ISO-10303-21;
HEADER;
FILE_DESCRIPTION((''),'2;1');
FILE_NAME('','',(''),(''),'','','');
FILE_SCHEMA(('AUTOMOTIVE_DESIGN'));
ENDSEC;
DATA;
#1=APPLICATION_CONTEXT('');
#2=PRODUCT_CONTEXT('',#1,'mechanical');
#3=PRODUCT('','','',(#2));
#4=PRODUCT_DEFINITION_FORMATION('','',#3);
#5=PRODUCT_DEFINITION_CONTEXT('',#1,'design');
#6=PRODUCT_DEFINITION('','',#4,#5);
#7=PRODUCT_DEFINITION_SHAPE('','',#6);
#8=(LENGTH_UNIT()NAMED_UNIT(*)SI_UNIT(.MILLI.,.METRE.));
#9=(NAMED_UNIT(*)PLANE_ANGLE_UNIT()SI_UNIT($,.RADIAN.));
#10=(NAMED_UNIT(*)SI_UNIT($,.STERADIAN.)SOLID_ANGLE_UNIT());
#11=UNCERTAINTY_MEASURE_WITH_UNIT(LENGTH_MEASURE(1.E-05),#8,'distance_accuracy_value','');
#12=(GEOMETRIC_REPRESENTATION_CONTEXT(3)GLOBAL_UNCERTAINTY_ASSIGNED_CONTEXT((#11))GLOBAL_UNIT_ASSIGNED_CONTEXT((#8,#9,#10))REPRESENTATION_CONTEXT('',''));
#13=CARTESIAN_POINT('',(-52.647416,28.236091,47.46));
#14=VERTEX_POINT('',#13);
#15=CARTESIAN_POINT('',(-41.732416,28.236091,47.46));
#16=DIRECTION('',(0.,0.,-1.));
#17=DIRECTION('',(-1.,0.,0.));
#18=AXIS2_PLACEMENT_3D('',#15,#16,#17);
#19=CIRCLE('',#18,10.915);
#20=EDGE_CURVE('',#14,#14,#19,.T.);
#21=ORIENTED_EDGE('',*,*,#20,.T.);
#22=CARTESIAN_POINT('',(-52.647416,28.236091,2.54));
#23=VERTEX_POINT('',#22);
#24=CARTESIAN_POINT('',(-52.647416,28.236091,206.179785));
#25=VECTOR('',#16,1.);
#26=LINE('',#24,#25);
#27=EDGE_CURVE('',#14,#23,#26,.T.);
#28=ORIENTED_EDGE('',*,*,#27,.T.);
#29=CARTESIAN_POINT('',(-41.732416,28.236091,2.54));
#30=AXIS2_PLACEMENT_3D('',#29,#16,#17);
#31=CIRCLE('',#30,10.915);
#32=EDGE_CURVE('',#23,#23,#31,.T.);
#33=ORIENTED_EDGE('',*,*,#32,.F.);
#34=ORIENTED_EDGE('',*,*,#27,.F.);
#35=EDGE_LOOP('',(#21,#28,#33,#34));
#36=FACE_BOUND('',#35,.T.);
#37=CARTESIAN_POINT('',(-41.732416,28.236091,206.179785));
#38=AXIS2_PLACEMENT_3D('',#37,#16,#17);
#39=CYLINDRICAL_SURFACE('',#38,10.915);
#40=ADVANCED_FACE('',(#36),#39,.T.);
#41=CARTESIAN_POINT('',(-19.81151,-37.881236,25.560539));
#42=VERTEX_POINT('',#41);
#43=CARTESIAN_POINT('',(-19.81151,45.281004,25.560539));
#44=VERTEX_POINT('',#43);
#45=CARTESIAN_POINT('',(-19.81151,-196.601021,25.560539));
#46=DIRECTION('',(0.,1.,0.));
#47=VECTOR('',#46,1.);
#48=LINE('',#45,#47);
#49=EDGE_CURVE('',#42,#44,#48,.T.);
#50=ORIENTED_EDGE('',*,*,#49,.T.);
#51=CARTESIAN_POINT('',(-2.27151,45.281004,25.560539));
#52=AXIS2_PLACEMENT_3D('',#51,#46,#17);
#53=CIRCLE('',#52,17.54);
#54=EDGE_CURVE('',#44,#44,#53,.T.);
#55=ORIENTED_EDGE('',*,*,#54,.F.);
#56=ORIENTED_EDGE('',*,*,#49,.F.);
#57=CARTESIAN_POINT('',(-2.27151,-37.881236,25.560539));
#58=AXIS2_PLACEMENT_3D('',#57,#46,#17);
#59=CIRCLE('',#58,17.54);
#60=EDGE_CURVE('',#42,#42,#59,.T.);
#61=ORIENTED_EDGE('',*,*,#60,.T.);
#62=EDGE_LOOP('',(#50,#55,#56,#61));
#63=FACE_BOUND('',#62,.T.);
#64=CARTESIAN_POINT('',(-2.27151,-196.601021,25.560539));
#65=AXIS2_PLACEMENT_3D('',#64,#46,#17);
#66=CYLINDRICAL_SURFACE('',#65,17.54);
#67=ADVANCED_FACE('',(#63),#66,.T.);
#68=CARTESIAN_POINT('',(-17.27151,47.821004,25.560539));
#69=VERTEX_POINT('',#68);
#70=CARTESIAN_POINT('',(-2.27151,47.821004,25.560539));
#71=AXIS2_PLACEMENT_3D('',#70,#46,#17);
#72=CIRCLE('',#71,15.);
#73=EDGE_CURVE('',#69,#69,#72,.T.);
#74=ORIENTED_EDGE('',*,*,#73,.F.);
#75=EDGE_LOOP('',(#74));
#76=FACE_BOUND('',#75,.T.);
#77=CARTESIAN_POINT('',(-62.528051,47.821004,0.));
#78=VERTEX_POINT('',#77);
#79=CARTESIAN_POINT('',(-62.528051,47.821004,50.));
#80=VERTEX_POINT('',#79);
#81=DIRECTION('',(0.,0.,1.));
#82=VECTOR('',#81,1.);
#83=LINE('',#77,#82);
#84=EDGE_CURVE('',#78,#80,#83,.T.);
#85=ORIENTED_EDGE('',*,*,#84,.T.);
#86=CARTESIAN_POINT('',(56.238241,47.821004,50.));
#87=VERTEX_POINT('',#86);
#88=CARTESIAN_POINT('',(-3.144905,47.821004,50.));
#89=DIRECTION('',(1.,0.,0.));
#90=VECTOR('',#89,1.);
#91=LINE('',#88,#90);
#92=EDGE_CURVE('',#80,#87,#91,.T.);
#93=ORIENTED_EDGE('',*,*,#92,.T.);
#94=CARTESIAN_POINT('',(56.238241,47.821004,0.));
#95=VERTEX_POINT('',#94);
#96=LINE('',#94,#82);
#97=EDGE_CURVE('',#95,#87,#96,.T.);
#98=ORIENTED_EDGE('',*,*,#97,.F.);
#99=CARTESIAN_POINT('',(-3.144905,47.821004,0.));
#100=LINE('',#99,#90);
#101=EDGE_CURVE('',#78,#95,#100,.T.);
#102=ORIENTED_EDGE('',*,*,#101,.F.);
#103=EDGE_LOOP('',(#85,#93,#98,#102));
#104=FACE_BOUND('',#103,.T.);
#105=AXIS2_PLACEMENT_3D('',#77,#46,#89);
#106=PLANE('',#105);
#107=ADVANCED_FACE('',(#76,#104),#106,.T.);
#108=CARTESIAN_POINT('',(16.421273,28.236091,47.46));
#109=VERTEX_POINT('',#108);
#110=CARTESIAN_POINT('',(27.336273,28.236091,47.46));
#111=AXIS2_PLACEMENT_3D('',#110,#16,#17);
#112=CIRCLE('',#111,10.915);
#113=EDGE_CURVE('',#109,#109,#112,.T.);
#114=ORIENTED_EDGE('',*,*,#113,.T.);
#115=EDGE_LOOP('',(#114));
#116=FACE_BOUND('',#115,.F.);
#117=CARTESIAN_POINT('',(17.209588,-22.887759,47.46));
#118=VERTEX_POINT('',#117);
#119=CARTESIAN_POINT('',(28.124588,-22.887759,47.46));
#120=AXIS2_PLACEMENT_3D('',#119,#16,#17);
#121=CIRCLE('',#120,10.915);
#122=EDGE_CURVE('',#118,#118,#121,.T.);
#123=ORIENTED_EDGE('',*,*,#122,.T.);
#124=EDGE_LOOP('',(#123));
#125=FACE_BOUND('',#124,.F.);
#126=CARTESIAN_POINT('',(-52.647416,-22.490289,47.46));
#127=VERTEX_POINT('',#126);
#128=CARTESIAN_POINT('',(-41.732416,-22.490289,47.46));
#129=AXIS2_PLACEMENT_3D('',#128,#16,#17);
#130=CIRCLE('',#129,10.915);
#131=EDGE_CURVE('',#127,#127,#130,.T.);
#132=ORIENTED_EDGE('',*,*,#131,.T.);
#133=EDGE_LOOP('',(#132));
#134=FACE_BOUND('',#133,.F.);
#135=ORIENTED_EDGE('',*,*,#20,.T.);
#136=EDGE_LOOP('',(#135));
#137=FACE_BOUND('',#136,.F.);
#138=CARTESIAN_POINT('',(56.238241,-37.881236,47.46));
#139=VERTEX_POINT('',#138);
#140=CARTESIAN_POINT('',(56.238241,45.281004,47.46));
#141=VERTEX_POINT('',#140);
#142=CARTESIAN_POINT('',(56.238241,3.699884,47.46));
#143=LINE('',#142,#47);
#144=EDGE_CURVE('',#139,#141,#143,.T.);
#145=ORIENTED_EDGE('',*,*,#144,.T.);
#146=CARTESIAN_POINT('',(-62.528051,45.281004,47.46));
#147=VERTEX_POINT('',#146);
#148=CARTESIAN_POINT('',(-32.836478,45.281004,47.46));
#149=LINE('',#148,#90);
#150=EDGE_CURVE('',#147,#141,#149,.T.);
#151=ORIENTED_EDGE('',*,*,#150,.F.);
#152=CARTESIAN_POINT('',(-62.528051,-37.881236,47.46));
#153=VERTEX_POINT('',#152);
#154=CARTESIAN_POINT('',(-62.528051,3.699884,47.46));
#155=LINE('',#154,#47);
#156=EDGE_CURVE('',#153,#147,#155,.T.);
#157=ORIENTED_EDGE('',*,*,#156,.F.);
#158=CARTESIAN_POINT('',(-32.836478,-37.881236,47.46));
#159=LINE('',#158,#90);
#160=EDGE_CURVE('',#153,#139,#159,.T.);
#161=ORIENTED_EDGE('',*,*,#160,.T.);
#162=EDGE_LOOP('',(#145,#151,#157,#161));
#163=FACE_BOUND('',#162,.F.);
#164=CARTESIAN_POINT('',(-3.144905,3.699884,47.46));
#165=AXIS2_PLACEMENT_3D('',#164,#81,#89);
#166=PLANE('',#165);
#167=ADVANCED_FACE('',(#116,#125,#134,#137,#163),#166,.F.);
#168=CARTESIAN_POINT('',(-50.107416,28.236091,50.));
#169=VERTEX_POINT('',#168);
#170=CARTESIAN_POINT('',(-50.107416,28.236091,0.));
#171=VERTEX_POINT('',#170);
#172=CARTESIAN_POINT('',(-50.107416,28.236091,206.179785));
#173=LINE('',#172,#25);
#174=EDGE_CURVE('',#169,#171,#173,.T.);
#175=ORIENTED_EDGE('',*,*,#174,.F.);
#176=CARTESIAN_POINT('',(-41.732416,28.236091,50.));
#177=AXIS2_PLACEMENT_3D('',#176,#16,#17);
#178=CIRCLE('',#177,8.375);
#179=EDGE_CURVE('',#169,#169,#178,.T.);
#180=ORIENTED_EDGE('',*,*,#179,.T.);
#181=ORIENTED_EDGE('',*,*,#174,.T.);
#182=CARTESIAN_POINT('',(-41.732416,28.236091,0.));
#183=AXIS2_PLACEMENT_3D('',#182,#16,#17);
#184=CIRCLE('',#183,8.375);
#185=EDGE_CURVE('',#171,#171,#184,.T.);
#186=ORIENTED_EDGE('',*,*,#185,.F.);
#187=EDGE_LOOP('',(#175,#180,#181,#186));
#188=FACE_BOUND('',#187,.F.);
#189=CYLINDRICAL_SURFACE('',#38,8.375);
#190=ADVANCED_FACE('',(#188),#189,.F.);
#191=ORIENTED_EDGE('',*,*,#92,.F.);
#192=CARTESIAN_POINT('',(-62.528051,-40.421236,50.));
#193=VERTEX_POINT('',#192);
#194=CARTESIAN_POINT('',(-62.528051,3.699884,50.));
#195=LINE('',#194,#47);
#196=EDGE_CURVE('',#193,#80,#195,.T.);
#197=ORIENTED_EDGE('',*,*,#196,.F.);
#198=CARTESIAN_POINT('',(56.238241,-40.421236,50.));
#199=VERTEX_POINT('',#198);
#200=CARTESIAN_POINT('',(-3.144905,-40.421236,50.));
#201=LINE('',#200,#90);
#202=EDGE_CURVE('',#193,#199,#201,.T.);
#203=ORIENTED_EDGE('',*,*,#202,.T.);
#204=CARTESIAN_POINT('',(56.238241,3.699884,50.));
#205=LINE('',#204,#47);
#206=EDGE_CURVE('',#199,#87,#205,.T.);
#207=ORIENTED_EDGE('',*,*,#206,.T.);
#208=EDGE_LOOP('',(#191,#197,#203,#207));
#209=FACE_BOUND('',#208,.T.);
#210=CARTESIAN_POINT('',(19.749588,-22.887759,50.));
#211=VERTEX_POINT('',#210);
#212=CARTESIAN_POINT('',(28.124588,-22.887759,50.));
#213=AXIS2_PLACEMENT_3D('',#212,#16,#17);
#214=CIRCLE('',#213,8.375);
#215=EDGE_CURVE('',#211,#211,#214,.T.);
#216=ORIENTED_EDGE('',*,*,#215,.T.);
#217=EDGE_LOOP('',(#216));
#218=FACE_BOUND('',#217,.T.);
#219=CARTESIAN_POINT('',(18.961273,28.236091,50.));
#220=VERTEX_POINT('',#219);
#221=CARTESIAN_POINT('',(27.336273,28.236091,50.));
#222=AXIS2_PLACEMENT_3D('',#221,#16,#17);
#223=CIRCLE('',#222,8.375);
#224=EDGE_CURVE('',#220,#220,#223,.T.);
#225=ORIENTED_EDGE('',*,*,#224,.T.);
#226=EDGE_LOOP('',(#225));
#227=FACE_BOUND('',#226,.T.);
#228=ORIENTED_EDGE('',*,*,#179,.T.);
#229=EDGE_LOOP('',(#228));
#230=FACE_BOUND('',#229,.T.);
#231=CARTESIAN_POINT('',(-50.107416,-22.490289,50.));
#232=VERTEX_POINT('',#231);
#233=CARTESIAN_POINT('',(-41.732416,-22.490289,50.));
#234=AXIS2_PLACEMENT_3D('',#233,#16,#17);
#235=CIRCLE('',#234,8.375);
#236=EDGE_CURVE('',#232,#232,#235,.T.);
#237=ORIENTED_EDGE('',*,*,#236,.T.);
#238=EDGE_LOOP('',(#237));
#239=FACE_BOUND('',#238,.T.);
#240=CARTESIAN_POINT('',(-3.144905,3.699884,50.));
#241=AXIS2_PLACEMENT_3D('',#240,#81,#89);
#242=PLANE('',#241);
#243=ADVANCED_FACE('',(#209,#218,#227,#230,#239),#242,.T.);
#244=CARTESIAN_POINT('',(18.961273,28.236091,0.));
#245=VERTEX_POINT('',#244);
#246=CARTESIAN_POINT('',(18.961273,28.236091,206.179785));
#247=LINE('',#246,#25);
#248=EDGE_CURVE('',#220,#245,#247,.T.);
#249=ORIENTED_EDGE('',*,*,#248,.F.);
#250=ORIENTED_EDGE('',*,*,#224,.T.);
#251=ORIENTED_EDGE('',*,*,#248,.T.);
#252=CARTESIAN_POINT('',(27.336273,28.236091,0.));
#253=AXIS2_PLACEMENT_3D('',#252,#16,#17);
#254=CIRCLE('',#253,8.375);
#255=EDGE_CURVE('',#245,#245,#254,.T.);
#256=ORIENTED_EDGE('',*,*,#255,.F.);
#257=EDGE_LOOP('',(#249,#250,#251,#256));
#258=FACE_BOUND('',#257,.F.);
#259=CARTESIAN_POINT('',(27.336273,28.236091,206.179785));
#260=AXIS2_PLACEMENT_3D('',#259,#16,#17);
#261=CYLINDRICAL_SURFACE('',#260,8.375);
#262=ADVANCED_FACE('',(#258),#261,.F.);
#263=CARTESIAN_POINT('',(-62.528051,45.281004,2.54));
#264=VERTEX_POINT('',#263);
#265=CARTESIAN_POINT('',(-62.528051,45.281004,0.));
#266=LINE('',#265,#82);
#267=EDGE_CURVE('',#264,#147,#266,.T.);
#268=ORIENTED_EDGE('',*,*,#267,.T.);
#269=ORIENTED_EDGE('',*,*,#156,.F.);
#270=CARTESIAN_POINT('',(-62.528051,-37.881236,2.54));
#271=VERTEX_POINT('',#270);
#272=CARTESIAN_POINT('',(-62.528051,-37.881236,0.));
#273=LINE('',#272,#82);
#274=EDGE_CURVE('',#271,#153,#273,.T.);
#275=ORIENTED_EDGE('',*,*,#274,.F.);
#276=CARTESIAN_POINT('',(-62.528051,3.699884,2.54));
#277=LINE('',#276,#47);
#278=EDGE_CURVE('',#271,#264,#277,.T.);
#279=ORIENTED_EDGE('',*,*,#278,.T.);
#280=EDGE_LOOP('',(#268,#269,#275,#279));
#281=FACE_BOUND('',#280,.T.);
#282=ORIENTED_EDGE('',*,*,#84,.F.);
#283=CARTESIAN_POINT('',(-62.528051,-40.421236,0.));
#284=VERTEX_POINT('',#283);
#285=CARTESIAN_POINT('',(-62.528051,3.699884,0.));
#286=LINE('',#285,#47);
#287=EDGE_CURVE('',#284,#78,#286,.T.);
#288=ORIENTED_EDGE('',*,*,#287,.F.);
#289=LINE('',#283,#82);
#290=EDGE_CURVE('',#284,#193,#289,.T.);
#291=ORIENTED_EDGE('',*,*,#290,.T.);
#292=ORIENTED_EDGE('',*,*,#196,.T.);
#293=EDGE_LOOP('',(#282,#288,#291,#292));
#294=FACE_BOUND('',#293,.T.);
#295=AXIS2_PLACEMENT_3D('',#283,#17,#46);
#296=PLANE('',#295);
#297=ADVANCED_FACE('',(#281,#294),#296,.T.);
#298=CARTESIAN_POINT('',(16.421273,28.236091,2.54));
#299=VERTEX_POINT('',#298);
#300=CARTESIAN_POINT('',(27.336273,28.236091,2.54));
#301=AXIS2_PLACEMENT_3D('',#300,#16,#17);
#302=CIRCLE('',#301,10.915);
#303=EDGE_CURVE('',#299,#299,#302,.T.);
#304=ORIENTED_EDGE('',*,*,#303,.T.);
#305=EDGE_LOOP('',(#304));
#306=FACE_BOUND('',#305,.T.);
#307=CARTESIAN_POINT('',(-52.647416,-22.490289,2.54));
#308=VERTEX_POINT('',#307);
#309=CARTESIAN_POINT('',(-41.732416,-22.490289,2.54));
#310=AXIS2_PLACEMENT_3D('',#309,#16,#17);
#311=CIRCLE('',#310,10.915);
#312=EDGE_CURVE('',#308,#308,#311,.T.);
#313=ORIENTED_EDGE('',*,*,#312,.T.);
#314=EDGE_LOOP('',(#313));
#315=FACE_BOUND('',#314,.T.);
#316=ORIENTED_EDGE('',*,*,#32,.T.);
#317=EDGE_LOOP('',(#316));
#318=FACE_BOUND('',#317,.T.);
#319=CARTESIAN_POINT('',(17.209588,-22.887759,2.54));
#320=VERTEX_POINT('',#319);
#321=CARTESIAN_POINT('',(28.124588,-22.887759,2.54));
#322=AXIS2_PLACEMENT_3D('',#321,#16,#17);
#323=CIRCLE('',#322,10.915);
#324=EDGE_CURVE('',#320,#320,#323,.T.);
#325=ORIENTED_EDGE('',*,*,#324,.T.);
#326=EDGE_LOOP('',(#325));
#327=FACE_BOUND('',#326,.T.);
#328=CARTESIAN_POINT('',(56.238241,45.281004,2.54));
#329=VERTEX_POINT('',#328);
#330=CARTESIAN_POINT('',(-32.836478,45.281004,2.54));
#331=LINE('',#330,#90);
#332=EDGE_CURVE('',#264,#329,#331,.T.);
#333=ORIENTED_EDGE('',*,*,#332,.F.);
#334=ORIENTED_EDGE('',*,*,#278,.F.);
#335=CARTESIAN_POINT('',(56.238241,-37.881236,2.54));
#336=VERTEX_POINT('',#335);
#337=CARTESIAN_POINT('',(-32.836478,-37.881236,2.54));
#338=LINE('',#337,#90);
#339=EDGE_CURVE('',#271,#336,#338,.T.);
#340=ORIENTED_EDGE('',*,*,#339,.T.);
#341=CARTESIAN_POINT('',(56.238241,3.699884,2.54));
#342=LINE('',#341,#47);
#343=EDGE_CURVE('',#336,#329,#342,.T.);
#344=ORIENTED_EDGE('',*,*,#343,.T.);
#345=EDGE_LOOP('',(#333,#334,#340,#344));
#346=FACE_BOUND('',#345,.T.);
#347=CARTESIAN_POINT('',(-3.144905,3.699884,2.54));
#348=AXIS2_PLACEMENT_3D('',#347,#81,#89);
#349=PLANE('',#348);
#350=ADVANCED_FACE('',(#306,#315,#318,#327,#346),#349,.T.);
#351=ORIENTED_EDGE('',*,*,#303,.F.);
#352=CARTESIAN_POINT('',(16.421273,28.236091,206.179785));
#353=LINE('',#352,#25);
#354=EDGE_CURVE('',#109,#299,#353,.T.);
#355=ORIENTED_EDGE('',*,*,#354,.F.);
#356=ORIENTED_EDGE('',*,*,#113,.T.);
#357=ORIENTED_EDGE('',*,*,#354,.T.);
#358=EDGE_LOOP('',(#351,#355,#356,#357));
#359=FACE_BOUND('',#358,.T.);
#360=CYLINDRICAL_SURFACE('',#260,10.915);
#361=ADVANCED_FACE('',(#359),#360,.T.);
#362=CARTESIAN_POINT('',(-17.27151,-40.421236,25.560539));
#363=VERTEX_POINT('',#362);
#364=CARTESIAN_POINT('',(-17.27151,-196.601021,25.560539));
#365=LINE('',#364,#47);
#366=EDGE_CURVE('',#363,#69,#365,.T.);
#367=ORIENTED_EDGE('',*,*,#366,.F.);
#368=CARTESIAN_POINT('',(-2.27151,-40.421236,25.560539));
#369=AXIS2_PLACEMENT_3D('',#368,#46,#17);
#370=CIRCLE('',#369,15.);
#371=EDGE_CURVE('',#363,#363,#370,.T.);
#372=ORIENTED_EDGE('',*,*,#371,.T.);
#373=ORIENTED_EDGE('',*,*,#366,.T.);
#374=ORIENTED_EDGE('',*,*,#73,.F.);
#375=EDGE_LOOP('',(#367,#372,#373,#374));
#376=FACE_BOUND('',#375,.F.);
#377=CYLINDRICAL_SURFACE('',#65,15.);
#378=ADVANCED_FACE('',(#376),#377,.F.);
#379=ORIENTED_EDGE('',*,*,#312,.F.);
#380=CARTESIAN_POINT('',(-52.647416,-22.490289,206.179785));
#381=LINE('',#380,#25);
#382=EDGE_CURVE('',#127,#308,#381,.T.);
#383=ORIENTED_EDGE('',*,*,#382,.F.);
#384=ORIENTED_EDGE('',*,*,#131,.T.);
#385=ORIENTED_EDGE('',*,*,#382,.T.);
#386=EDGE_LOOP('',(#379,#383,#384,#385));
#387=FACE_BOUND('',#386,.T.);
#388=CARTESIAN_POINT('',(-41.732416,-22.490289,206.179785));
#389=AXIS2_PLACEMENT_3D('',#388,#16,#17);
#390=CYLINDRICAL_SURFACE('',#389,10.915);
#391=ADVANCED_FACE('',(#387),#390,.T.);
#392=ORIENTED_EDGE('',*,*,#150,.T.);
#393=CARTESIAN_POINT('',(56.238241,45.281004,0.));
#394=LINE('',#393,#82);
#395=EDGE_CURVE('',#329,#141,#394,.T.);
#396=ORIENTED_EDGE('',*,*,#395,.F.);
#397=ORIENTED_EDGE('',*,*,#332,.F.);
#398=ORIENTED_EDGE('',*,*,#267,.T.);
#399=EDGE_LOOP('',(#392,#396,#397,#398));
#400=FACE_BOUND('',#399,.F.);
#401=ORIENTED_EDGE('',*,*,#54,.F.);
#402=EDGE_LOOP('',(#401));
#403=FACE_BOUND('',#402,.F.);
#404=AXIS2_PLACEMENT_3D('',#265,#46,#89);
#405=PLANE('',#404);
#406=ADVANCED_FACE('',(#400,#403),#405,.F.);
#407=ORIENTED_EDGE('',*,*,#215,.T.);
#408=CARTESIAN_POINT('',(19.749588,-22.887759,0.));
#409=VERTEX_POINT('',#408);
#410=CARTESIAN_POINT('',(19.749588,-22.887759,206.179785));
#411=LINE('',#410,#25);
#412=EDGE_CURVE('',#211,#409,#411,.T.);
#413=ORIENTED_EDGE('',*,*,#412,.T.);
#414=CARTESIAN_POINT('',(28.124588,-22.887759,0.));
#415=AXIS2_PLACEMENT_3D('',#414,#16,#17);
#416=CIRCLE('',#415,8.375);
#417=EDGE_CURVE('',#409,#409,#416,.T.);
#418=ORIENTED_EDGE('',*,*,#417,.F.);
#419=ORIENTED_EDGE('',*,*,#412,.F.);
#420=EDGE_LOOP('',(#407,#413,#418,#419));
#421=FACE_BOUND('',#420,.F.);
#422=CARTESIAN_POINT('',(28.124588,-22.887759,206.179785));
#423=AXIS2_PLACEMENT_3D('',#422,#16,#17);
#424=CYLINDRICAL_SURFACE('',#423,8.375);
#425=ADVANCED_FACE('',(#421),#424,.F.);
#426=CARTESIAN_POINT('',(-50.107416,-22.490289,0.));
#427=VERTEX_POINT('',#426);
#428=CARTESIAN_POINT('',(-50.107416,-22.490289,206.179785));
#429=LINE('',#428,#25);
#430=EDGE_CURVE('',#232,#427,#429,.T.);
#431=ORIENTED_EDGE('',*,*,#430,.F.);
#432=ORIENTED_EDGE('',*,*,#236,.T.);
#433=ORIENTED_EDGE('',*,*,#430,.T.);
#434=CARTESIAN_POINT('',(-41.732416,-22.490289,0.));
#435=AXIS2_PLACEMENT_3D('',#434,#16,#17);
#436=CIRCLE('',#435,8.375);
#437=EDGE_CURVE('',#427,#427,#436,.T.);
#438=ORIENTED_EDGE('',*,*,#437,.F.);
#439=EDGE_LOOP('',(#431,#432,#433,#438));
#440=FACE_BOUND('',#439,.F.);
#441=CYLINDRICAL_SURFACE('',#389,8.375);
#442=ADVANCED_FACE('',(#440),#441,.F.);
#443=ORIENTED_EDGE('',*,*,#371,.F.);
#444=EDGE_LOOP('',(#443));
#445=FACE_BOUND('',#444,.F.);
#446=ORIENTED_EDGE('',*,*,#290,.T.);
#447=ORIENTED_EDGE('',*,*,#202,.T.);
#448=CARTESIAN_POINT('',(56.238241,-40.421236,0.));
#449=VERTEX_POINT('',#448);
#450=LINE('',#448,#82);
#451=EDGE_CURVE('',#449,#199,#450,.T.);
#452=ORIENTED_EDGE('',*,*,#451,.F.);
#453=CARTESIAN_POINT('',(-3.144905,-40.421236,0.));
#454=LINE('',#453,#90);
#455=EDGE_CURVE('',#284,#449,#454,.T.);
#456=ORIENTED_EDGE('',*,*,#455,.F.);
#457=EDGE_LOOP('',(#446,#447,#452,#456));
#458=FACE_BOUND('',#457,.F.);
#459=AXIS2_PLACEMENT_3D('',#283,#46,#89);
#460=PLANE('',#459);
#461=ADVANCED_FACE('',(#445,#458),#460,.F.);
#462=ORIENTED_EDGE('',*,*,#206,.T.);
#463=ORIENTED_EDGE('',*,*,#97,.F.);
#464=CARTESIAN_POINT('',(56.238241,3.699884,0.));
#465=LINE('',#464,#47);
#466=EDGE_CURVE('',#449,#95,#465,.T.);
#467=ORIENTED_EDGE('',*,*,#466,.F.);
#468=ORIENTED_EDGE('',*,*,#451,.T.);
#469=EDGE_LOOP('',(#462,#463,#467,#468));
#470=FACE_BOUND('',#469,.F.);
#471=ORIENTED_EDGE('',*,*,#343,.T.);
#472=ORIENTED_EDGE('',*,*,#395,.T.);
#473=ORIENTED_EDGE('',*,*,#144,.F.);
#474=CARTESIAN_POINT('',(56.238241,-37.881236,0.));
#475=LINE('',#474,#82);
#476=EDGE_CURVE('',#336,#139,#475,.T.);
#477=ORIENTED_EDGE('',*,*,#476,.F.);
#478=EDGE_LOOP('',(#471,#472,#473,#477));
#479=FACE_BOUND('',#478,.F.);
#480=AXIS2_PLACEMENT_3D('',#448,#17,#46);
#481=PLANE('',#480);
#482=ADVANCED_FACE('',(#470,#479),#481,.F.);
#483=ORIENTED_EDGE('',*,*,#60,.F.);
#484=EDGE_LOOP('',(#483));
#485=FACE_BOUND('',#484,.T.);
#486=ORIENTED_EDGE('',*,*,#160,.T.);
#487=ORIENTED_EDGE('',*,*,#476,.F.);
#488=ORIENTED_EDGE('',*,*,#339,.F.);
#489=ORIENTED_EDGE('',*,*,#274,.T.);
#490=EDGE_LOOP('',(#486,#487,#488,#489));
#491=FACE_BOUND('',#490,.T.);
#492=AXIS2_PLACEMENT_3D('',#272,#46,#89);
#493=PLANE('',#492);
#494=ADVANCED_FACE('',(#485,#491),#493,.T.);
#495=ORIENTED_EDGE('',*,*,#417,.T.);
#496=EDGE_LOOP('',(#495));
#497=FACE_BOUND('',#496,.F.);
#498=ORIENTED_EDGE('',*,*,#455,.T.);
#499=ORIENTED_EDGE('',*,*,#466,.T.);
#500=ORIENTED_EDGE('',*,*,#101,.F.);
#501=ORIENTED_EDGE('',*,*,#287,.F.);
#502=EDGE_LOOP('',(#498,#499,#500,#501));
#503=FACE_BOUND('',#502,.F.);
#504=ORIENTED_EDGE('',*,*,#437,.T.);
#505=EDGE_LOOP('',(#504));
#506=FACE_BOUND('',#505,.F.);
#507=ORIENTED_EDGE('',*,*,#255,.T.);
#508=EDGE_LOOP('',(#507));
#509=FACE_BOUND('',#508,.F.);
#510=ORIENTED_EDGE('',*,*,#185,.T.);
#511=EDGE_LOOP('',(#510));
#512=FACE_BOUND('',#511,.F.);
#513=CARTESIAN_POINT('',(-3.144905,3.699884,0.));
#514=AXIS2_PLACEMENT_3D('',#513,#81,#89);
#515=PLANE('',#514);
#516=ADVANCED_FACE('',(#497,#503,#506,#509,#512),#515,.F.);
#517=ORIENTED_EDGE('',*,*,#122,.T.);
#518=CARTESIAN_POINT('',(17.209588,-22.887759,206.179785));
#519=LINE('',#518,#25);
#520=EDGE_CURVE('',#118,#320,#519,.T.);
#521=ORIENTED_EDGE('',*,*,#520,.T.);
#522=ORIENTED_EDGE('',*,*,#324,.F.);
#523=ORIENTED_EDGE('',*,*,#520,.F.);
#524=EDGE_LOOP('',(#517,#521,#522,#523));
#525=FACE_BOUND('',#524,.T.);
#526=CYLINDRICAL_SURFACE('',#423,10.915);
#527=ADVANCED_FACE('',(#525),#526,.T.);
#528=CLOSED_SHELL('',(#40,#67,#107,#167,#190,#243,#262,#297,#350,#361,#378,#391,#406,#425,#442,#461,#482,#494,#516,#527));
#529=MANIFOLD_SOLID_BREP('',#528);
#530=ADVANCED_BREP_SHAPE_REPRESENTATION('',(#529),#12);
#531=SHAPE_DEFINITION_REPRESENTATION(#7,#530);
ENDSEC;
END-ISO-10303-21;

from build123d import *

# Parameters (mm, degrees)
F0_W     = 118.7662929296
F0_H     = 88.2422402501
F1_DEPTH = 50
F3_D     = 16.75
F5_D     = 30
F6_T     = -2.54


with BuildPart() as f1:
    # F0 (on Top) → F1 (new body)
    with BuildSketch(Plane.XY):
        with Locations((-3.1449049711, 3.6998838186)):
            Rectangle(F0_W, F0_H)
    extrude(amount=F1_DEPTH)

    # F3 (through all)
    with Locations(Plane.XY.offset(50)):
        with Locations((-41.7324155569, 28.2360911369), (27.3362733424, 28.2360911369), (28.1245876104, -22.8877589107), (-41.7324155569, -22.4902890623)):
            Hole(F3_D / 2)

    # F5 (through all)
    with Locations(Plane.XZ.offset(40.4212363064)):
        with Locations((-2.2715097293, 25.5605392158)):
            Hole(F5_D / 2)

    # F6
    f6_openings = [f1.faces().sort_by_distance(p)[0] for p in [
        (56.238241, 3.699884, 25),
        (-62.528051, 3.699884, 25),
    ]]
    offset(amount=F6_T, openings=f6_openings)


solid = f1.part
